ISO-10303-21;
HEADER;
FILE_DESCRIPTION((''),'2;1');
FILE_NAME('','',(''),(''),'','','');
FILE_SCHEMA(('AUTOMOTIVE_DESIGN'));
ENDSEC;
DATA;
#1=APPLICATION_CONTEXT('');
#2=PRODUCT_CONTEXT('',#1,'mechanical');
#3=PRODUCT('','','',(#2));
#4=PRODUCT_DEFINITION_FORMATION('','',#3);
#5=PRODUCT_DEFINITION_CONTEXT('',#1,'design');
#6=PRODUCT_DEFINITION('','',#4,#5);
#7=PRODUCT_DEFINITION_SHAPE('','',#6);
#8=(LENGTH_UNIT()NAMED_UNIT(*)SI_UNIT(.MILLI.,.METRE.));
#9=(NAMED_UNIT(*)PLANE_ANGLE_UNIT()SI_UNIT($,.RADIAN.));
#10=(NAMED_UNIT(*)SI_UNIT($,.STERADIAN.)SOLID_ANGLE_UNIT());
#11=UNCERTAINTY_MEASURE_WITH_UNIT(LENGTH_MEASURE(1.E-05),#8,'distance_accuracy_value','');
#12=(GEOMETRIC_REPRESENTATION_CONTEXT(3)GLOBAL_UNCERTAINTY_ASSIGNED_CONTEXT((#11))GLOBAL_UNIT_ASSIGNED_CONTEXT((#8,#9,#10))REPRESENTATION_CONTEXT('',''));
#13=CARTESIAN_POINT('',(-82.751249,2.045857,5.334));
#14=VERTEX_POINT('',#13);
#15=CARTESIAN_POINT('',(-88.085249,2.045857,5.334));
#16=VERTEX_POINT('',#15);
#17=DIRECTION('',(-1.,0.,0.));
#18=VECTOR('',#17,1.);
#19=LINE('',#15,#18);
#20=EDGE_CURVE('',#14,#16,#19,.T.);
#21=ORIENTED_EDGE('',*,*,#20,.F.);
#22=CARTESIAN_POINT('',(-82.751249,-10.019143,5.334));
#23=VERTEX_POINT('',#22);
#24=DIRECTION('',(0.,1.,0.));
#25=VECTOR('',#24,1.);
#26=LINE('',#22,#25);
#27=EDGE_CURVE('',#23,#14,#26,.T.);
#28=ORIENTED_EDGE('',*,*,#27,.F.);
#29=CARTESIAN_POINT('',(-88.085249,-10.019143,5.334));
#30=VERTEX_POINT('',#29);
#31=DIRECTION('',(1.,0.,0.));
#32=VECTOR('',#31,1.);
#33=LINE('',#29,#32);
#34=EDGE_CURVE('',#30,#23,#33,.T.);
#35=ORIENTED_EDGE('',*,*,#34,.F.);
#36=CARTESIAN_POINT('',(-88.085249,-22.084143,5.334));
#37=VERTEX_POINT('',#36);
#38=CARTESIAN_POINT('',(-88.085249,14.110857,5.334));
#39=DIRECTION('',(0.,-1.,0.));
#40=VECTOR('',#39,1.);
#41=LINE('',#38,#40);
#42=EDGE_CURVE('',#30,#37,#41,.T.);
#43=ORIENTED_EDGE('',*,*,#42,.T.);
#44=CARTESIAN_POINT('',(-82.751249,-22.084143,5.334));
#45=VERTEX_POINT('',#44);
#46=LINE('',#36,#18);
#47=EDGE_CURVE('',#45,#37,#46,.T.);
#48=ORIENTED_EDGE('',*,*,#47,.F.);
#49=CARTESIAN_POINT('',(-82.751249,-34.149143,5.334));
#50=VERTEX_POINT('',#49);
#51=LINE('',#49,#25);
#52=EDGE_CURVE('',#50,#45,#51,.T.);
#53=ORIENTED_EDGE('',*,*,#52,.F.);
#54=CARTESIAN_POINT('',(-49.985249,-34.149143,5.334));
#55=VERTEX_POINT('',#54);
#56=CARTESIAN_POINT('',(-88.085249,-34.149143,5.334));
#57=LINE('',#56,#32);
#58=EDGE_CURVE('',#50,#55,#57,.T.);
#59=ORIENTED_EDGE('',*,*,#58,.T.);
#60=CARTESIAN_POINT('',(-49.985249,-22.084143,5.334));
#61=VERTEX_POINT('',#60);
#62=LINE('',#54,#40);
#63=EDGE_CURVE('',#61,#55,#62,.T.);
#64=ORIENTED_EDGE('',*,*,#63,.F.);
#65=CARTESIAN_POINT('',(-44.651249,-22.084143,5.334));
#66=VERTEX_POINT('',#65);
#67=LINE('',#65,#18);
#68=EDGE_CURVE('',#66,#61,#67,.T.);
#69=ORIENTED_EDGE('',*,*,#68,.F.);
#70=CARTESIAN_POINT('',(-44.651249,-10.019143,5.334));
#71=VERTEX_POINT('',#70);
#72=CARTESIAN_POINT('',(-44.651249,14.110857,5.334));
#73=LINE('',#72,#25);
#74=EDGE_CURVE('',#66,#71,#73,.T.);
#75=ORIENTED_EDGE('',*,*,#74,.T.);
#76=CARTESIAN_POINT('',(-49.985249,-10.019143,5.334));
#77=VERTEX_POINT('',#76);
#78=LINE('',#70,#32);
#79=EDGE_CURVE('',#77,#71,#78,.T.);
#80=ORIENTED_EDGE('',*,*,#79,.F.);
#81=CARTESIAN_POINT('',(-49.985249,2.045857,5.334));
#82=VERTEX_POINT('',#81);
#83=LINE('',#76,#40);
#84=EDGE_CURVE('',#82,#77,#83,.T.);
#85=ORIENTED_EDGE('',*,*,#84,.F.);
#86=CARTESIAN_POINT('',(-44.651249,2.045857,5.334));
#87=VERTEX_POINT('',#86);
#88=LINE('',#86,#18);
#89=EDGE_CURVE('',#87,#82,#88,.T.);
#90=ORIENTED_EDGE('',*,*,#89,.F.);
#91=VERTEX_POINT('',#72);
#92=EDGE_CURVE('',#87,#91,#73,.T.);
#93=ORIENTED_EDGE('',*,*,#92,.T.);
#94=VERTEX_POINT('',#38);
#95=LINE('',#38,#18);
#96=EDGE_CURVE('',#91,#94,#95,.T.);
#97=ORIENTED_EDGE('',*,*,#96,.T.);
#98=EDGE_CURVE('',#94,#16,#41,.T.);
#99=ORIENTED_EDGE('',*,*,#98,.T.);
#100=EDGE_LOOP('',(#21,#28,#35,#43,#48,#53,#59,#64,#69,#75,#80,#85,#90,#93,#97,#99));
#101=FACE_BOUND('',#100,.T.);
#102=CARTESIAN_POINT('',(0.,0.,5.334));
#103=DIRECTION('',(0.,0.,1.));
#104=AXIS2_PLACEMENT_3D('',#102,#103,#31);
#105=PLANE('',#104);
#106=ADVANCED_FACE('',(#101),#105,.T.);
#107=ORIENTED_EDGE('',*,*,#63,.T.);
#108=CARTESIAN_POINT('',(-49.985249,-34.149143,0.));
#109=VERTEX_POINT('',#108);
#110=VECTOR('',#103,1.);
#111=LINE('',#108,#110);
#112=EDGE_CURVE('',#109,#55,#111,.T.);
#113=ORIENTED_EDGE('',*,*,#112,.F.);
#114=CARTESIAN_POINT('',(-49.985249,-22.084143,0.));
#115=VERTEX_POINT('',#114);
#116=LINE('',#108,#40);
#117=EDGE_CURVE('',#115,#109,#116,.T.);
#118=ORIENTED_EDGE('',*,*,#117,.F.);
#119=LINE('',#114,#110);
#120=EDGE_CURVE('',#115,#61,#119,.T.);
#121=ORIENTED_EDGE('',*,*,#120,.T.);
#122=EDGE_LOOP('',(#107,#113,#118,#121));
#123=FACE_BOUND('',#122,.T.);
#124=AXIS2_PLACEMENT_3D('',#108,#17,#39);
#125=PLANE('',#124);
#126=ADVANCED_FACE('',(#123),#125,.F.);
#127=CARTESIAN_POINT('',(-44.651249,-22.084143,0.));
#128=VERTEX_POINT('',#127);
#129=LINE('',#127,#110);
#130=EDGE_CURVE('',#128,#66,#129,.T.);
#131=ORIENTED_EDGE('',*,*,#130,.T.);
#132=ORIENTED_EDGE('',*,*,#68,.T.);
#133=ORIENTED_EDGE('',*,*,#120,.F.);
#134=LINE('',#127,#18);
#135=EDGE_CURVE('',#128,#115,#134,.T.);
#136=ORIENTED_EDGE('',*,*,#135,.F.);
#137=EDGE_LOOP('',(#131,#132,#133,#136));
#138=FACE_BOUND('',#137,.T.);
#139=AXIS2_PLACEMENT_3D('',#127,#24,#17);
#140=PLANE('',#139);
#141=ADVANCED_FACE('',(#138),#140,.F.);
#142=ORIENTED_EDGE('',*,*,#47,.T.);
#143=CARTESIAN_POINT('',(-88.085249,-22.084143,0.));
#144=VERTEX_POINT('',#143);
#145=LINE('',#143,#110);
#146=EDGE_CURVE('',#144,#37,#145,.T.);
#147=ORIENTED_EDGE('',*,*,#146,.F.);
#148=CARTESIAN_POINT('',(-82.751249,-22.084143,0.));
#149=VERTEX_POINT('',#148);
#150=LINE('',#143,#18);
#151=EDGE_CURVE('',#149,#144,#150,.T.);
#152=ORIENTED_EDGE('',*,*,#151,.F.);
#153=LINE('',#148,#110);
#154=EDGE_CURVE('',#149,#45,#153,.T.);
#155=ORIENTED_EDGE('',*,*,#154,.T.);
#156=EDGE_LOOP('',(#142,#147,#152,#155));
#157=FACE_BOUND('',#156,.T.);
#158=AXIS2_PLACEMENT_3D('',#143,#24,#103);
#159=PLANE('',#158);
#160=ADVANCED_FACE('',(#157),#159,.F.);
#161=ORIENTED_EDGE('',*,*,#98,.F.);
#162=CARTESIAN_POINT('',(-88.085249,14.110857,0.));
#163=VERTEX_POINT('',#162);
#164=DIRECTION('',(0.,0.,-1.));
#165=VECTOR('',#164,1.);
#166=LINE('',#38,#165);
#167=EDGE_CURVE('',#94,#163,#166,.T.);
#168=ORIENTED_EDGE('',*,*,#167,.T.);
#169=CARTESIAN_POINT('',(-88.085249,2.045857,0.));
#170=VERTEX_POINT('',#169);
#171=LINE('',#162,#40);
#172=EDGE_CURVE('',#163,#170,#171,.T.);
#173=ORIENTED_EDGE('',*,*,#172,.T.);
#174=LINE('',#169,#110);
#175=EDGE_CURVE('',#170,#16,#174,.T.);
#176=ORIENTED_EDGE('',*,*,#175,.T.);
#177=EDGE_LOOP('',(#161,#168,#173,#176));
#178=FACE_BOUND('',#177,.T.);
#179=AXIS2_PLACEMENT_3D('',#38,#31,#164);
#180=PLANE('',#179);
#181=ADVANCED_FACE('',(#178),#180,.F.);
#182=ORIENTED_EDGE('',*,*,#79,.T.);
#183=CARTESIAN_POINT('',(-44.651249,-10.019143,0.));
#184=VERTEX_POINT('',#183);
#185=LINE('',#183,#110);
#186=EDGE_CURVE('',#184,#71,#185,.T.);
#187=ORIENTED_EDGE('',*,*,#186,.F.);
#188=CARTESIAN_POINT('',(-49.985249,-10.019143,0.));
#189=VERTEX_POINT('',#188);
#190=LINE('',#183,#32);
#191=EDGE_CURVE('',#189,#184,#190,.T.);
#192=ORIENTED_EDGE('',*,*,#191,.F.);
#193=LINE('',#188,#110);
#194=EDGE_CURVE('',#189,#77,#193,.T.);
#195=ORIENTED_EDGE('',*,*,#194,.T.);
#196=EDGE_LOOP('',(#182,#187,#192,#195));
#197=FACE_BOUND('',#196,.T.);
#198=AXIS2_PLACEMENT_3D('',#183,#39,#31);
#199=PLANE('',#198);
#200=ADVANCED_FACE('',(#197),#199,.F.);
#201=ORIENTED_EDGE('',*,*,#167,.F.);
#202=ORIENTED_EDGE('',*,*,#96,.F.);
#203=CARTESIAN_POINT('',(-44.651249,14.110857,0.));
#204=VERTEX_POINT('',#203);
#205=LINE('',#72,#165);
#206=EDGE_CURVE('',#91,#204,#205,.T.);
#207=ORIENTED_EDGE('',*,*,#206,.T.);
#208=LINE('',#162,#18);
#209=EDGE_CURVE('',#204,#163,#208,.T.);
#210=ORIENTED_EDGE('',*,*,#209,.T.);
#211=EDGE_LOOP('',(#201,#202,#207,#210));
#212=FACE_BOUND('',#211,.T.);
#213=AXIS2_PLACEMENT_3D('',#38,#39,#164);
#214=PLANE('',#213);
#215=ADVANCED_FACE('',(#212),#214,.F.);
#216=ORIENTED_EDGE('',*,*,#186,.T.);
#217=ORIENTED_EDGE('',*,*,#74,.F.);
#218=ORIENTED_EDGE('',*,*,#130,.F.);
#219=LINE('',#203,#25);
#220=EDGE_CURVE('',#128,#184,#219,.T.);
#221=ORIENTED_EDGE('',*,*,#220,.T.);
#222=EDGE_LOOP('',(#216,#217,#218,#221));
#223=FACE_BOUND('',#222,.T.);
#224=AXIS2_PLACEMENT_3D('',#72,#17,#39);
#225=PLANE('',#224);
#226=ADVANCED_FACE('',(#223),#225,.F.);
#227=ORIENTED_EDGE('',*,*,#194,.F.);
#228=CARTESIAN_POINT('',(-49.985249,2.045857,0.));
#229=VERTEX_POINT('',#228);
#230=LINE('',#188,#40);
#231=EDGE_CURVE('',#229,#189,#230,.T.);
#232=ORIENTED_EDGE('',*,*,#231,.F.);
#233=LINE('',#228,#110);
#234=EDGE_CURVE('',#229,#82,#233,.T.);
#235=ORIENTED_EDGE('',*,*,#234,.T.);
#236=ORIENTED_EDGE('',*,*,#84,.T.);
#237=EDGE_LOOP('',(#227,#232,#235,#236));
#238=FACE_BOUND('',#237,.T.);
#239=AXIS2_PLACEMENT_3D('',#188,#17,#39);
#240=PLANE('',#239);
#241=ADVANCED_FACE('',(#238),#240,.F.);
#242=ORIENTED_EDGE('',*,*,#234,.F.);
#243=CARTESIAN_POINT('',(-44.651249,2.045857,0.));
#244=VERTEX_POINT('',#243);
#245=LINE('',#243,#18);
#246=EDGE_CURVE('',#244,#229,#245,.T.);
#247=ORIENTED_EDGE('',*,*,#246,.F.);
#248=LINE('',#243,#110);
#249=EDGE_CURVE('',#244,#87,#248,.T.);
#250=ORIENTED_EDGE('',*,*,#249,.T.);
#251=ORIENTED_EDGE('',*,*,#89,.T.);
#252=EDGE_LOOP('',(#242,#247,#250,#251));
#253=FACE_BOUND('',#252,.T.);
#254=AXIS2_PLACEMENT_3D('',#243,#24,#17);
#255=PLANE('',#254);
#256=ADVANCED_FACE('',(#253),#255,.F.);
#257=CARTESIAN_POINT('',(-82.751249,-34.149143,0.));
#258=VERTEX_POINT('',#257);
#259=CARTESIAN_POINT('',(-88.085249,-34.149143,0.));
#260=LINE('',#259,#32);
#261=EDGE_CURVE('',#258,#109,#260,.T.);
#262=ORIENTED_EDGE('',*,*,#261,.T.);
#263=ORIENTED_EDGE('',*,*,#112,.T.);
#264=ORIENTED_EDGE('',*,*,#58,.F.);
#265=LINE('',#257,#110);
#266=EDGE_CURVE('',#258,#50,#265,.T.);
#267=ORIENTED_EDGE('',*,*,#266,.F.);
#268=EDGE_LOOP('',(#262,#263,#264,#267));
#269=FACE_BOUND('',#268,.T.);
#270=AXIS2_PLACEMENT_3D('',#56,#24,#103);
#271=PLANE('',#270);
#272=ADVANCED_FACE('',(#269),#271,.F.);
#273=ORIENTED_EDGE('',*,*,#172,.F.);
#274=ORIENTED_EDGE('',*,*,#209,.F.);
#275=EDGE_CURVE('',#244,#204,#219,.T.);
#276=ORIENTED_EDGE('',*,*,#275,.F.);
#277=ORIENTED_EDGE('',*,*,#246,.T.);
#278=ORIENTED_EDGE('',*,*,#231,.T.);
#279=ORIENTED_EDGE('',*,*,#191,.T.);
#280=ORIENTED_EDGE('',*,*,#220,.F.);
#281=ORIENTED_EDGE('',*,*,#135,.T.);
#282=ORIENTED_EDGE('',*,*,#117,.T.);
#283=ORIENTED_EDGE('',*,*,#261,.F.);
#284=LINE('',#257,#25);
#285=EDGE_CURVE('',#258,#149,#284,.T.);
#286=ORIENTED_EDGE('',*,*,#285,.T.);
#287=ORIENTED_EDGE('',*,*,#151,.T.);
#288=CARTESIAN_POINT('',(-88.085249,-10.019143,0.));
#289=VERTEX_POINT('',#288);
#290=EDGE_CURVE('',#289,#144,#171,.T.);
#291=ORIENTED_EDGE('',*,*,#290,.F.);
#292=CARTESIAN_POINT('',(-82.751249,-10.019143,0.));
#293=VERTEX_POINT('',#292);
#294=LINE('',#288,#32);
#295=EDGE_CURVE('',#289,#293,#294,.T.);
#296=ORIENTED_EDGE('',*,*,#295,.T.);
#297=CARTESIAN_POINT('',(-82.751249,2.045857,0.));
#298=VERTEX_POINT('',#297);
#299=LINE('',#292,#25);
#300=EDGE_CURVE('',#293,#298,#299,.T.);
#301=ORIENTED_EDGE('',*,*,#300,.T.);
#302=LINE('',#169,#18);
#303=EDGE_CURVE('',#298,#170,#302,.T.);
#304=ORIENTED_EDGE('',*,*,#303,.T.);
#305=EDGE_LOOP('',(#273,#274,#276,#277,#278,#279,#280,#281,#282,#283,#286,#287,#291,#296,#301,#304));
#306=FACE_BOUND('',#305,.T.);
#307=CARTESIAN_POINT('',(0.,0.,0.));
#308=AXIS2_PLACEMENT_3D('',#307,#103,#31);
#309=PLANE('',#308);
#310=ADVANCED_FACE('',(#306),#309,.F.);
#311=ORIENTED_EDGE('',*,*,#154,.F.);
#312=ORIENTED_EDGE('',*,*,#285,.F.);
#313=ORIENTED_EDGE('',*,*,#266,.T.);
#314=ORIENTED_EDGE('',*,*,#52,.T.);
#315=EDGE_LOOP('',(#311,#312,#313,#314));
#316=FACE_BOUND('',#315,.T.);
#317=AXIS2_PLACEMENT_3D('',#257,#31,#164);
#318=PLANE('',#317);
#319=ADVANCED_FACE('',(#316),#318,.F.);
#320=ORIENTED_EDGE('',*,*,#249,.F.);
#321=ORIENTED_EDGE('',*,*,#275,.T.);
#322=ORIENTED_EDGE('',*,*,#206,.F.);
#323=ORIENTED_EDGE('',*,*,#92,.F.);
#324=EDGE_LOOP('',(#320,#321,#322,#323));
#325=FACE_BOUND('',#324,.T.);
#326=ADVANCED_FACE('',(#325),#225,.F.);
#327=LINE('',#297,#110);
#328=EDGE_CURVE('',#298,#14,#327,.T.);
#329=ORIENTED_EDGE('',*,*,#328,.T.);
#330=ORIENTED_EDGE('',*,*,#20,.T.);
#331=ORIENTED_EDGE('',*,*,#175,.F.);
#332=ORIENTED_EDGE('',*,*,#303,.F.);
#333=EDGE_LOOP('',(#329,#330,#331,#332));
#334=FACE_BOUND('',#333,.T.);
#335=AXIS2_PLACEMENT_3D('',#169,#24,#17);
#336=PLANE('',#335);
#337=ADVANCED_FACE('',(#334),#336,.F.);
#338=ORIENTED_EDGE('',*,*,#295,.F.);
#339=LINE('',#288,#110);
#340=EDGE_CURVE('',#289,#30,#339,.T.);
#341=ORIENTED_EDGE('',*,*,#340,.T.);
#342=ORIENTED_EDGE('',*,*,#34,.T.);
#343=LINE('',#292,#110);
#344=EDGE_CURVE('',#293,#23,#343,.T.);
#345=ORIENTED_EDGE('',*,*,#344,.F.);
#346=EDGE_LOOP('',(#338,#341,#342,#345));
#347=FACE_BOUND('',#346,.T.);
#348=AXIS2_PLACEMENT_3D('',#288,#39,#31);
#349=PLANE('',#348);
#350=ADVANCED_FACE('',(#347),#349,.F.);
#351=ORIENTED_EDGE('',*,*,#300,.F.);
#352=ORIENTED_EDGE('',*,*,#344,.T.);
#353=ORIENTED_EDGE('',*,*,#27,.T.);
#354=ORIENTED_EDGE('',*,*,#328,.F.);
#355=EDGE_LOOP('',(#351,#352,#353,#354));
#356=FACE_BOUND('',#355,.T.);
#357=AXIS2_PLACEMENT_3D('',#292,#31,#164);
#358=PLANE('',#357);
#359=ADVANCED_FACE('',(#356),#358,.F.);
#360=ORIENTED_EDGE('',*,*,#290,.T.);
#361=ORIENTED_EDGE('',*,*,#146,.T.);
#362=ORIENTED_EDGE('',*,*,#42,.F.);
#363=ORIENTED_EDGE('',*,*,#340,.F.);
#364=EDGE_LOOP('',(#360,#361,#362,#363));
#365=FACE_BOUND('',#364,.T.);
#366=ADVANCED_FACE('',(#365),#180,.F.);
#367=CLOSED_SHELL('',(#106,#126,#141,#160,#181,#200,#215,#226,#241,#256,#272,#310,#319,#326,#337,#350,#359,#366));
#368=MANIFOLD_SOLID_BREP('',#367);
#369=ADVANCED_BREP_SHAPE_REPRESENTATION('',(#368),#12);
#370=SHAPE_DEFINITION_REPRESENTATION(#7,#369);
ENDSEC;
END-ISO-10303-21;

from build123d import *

# Parameters (mm, degrees)
SKETCH1_W           = 43.434
SKETCH1_H           = 48.26
BOSS_EXTRUDE1_DEPTH = 5.334
SKETCH2_W           = 5.334
SKETCH2_H           = 12.065
CUT_EXTRUDE1_DEPTH  = 95.62360518


with BuildPart() as part:
    # Sketch1 → Boss-Extrude1 (new body)
    with BuildSketch(Plane.XY):
        with Locations((-66.368249325, -10.019142782)):
            Rectangle(SKETCH1_W, SKETCH1_H)
    extrude(amount=BOSS_EXTRUDE1_DEPTH)

    # Sketch2 → Cut-Extrude1 (cut, through all)
    with BuildSketch(Plane.XY.offset(5.334)):
        with Locations((-85.418249325, -28.116642782)):
            Rectangle(SKETCH2_W, SKETCH2_H)
        with Locations((-85.418249325, -3.986642782)):
            Rectangle(SKETCH2_W, SKETCH2_H)
        with Locations((-47.318249325, -3.986642782)):
            Rectangle(SKETCH2_W, SKETCH2_H)
        with Locations((-47.318249325, -28.116642782)):
            Rectangle(SKETCH2_W, SKETCH2_H)
    extrude(amount=-CUT_EXTRUDE1_DEPTH, mode=Mode.SUBTRACT)


solid = part.part
